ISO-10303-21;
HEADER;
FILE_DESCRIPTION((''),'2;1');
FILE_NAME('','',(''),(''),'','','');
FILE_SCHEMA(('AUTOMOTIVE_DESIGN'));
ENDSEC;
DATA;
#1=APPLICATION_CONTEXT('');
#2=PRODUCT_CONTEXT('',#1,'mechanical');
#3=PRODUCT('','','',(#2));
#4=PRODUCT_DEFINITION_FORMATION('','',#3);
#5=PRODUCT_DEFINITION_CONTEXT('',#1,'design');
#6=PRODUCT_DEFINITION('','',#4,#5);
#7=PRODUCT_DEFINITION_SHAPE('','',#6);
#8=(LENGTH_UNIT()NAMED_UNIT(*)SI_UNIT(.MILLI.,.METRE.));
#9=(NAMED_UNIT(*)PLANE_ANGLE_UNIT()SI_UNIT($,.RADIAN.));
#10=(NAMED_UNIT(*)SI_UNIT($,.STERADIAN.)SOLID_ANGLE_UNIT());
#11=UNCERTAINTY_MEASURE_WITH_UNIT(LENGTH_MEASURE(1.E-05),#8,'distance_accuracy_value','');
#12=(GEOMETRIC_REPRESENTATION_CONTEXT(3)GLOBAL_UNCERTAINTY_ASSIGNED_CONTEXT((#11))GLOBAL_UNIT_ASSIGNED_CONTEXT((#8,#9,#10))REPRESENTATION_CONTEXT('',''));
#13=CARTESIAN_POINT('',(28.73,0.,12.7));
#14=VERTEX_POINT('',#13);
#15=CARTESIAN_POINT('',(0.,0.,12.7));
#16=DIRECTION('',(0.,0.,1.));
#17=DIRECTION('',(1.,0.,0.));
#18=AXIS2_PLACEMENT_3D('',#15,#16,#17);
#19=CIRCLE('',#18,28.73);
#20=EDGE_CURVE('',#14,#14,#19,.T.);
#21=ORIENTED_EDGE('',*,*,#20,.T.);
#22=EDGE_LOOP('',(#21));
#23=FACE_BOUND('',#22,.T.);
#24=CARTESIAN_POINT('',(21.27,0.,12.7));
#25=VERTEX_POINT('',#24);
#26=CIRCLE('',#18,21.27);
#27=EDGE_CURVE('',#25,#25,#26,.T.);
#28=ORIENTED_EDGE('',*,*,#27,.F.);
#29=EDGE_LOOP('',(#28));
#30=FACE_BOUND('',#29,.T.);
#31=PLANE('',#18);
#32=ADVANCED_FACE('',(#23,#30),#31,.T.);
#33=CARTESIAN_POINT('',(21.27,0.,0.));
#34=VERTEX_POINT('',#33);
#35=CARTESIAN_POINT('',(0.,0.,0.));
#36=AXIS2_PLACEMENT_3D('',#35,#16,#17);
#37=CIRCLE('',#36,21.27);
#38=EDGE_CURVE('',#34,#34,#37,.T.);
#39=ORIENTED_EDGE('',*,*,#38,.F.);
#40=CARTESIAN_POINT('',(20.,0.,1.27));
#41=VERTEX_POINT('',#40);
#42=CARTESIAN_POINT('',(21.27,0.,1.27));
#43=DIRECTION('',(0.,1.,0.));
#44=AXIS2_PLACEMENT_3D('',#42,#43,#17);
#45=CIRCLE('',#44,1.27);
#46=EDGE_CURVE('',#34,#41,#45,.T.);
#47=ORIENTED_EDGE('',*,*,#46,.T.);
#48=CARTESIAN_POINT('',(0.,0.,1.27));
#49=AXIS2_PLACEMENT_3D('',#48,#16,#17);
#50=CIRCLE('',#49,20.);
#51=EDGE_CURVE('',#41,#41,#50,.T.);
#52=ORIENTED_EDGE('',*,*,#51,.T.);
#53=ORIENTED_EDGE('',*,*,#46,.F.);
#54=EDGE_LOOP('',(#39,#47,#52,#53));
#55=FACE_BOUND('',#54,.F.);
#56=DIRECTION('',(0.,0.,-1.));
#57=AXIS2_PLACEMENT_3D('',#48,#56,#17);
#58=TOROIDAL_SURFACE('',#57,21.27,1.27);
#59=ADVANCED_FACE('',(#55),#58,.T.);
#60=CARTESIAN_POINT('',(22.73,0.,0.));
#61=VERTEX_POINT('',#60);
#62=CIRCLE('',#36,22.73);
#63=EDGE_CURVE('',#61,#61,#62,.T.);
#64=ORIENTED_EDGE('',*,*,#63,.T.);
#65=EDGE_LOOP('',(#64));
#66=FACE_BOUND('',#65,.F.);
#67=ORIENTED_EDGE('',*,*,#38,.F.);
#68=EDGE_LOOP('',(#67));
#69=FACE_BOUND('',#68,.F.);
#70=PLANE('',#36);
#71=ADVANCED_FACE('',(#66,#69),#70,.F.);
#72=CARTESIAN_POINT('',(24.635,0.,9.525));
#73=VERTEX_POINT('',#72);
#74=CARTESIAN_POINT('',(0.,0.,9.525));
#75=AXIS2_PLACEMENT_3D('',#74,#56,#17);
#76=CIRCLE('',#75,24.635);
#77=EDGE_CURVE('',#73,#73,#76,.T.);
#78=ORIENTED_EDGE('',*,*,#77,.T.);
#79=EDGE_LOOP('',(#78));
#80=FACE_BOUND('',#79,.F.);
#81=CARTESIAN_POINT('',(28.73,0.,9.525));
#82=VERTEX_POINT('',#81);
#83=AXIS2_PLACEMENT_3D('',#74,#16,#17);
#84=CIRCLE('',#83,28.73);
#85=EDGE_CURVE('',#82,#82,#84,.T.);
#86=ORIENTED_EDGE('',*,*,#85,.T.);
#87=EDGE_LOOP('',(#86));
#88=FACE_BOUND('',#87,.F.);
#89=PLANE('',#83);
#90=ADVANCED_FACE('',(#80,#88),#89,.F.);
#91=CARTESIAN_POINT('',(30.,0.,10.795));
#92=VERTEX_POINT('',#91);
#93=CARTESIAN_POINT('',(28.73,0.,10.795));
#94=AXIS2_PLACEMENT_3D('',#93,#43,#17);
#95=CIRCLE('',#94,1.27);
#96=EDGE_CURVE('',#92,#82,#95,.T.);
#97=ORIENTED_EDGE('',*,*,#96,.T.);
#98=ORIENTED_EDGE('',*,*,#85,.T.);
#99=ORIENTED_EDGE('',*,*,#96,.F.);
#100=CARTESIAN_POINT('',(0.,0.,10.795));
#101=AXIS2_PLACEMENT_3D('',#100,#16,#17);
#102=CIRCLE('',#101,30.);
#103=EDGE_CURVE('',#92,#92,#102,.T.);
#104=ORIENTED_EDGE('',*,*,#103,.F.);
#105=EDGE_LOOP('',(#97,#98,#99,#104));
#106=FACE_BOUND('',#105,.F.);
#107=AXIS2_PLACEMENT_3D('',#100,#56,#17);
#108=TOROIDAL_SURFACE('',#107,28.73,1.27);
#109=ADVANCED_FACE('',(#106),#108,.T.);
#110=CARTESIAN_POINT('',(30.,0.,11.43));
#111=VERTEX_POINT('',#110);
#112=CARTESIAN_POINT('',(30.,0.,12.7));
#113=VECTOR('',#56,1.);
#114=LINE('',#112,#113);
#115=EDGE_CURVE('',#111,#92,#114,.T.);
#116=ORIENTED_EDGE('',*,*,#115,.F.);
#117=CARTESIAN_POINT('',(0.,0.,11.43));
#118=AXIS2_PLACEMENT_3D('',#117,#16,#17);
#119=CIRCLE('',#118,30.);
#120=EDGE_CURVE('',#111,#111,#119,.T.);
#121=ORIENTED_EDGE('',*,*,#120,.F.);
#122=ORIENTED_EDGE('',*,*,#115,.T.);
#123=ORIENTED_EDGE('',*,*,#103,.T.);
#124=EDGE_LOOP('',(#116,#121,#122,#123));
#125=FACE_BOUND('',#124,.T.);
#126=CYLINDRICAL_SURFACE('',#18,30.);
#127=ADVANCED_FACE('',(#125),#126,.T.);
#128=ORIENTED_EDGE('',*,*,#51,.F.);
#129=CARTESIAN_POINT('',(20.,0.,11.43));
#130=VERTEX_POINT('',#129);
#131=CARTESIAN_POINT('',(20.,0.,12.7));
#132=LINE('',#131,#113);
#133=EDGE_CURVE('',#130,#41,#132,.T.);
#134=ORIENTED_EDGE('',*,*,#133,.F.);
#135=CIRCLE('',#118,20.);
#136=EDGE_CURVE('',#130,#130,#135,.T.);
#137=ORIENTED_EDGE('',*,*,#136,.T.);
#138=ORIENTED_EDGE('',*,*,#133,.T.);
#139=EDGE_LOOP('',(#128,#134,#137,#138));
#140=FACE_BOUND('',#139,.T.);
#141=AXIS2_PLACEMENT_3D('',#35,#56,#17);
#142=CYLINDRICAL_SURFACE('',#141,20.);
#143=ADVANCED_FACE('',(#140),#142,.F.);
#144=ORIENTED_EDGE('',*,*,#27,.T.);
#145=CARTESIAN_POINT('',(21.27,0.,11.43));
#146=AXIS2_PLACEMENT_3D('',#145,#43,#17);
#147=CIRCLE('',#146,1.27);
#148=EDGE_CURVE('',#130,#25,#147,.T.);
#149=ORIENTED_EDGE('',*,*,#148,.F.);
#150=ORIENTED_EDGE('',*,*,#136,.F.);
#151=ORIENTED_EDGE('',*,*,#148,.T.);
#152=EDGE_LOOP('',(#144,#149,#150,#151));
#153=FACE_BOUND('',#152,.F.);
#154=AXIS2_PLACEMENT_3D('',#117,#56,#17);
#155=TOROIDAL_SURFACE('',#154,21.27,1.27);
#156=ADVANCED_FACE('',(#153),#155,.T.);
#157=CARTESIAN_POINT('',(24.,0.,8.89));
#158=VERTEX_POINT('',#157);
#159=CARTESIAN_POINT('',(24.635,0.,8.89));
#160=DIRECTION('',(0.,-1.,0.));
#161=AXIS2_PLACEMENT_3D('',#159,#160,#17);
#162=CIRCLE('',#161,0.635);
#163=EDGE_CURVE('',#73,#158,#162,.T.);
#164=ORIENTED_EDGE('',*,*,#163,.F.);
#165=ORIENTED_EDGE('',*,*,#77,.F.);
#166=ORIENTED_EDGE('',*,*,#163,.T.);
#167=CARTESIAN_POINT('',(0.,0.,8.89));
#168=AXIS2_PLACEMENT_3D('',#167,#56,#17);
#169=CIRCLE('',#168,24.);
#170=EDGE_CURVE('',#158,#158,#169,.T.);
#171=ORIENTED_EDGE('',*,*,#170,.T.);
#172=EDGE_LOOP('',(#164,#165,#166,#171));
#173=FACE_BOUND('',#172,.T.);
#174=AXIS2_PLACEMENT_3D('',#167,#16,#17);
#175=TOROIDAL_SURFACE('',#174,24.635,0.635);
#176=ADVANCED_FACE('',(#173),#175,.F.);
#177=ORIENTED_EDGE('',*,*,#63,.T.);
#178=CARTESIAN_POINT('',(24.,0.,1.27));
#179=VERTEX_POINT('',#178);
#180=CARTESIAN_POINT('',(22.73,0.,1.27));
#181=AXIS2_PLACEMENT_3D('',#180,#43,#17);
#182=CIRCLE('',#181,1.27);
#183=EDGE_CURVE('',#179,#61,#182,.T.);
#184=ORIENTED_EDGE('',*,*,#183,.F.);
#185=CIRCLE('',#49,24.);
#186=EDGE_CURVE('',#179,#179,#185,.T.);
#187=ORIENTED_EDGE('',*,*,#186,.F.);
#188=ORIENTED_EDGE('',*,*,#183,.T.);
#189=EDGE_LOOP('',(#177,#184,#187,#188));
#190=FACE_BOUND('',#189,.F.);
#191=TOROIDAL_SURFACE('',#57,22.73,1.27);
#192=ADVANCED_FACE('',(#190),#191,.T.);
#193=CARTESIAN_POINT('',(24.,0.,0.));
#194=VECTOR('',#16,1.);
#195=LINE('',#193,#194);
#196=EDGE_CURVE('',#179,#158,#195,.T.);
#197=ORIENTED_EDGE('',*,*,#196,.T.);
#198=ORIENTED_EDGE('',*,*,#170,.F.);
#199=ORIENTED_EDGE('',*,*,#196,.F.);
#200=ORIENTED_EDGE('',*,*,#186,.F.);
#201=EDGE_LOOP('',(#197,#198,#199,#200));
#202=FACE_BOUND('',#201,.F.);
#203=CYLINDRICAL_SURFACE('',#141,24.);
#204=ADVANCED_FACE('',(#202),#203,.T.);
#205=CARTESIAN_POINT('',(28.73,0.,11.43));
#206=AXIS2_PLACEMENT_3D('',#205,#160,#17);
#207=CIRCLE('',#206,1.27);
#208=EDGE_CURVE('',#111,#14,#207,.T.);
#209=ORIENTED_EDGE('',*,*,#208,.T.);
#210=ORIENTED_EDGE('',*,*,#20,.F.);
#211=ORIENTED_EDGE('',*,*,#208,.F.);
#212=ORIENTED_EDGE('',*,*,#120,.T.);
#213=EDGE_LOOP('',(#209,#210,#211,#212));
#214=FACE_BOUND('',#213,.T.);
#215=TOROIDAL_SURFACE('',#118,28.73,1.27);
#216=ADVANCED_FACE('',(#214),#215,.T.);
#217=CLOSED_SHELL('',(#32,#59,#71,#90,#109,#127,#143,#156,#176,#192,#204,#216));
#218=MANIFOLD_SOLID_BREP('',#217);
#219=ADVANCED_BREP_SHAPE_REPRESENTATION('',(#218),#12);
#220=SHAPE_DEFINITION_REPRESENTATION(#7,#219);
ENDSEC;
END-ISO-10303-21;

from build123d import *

# Parameters (mm, degrees)
F0_R     = 24
F0_R_2   = 20
F1_DEPTH = 12.7
F2_R     = 30
F2_R_2   = 20
F3_DEPTH = 3.175
F4_R     = 1.27
F5_R     = 0.635


with BuildPart() as f1:
    # F0 (on Top) → F1 (new body)
    with BuildSketch(Plane.XY):
        Circle(F0_R)
        Circle(F0_R_2, mode=Mode.SUBTRACT)
    extrude(amount=F1_DEPTH)

    # F2 (on face) → F3 (join)
    with BuildSketch(Plane.XY.offset(12.7)):
        Circle(F2_R)
        Circle(F2_R_2, mode=Mode.SUBTRACT)
    extrude(amount=-F3_DEPTH)

    # F4
    f4_edges = [f1.edges().sort_by_distance(p)[0] for p in [
        (-20, 0, 12.7),
        (-20, 0, 0),
        (-30, 0, 12.7),
        (-30, 0, 9.525),
        (-24, 0, 0),
    ]]
    fillet(f4_edges, radius=F4_R)

    # F5
    f5_edges = [f1.edges().sort_by_distance(p)[0] for p in [
        (-24, 0, 9.525),
    ]]
    fillet(f5_edges, radius=F5_R)


solid = f1.part
